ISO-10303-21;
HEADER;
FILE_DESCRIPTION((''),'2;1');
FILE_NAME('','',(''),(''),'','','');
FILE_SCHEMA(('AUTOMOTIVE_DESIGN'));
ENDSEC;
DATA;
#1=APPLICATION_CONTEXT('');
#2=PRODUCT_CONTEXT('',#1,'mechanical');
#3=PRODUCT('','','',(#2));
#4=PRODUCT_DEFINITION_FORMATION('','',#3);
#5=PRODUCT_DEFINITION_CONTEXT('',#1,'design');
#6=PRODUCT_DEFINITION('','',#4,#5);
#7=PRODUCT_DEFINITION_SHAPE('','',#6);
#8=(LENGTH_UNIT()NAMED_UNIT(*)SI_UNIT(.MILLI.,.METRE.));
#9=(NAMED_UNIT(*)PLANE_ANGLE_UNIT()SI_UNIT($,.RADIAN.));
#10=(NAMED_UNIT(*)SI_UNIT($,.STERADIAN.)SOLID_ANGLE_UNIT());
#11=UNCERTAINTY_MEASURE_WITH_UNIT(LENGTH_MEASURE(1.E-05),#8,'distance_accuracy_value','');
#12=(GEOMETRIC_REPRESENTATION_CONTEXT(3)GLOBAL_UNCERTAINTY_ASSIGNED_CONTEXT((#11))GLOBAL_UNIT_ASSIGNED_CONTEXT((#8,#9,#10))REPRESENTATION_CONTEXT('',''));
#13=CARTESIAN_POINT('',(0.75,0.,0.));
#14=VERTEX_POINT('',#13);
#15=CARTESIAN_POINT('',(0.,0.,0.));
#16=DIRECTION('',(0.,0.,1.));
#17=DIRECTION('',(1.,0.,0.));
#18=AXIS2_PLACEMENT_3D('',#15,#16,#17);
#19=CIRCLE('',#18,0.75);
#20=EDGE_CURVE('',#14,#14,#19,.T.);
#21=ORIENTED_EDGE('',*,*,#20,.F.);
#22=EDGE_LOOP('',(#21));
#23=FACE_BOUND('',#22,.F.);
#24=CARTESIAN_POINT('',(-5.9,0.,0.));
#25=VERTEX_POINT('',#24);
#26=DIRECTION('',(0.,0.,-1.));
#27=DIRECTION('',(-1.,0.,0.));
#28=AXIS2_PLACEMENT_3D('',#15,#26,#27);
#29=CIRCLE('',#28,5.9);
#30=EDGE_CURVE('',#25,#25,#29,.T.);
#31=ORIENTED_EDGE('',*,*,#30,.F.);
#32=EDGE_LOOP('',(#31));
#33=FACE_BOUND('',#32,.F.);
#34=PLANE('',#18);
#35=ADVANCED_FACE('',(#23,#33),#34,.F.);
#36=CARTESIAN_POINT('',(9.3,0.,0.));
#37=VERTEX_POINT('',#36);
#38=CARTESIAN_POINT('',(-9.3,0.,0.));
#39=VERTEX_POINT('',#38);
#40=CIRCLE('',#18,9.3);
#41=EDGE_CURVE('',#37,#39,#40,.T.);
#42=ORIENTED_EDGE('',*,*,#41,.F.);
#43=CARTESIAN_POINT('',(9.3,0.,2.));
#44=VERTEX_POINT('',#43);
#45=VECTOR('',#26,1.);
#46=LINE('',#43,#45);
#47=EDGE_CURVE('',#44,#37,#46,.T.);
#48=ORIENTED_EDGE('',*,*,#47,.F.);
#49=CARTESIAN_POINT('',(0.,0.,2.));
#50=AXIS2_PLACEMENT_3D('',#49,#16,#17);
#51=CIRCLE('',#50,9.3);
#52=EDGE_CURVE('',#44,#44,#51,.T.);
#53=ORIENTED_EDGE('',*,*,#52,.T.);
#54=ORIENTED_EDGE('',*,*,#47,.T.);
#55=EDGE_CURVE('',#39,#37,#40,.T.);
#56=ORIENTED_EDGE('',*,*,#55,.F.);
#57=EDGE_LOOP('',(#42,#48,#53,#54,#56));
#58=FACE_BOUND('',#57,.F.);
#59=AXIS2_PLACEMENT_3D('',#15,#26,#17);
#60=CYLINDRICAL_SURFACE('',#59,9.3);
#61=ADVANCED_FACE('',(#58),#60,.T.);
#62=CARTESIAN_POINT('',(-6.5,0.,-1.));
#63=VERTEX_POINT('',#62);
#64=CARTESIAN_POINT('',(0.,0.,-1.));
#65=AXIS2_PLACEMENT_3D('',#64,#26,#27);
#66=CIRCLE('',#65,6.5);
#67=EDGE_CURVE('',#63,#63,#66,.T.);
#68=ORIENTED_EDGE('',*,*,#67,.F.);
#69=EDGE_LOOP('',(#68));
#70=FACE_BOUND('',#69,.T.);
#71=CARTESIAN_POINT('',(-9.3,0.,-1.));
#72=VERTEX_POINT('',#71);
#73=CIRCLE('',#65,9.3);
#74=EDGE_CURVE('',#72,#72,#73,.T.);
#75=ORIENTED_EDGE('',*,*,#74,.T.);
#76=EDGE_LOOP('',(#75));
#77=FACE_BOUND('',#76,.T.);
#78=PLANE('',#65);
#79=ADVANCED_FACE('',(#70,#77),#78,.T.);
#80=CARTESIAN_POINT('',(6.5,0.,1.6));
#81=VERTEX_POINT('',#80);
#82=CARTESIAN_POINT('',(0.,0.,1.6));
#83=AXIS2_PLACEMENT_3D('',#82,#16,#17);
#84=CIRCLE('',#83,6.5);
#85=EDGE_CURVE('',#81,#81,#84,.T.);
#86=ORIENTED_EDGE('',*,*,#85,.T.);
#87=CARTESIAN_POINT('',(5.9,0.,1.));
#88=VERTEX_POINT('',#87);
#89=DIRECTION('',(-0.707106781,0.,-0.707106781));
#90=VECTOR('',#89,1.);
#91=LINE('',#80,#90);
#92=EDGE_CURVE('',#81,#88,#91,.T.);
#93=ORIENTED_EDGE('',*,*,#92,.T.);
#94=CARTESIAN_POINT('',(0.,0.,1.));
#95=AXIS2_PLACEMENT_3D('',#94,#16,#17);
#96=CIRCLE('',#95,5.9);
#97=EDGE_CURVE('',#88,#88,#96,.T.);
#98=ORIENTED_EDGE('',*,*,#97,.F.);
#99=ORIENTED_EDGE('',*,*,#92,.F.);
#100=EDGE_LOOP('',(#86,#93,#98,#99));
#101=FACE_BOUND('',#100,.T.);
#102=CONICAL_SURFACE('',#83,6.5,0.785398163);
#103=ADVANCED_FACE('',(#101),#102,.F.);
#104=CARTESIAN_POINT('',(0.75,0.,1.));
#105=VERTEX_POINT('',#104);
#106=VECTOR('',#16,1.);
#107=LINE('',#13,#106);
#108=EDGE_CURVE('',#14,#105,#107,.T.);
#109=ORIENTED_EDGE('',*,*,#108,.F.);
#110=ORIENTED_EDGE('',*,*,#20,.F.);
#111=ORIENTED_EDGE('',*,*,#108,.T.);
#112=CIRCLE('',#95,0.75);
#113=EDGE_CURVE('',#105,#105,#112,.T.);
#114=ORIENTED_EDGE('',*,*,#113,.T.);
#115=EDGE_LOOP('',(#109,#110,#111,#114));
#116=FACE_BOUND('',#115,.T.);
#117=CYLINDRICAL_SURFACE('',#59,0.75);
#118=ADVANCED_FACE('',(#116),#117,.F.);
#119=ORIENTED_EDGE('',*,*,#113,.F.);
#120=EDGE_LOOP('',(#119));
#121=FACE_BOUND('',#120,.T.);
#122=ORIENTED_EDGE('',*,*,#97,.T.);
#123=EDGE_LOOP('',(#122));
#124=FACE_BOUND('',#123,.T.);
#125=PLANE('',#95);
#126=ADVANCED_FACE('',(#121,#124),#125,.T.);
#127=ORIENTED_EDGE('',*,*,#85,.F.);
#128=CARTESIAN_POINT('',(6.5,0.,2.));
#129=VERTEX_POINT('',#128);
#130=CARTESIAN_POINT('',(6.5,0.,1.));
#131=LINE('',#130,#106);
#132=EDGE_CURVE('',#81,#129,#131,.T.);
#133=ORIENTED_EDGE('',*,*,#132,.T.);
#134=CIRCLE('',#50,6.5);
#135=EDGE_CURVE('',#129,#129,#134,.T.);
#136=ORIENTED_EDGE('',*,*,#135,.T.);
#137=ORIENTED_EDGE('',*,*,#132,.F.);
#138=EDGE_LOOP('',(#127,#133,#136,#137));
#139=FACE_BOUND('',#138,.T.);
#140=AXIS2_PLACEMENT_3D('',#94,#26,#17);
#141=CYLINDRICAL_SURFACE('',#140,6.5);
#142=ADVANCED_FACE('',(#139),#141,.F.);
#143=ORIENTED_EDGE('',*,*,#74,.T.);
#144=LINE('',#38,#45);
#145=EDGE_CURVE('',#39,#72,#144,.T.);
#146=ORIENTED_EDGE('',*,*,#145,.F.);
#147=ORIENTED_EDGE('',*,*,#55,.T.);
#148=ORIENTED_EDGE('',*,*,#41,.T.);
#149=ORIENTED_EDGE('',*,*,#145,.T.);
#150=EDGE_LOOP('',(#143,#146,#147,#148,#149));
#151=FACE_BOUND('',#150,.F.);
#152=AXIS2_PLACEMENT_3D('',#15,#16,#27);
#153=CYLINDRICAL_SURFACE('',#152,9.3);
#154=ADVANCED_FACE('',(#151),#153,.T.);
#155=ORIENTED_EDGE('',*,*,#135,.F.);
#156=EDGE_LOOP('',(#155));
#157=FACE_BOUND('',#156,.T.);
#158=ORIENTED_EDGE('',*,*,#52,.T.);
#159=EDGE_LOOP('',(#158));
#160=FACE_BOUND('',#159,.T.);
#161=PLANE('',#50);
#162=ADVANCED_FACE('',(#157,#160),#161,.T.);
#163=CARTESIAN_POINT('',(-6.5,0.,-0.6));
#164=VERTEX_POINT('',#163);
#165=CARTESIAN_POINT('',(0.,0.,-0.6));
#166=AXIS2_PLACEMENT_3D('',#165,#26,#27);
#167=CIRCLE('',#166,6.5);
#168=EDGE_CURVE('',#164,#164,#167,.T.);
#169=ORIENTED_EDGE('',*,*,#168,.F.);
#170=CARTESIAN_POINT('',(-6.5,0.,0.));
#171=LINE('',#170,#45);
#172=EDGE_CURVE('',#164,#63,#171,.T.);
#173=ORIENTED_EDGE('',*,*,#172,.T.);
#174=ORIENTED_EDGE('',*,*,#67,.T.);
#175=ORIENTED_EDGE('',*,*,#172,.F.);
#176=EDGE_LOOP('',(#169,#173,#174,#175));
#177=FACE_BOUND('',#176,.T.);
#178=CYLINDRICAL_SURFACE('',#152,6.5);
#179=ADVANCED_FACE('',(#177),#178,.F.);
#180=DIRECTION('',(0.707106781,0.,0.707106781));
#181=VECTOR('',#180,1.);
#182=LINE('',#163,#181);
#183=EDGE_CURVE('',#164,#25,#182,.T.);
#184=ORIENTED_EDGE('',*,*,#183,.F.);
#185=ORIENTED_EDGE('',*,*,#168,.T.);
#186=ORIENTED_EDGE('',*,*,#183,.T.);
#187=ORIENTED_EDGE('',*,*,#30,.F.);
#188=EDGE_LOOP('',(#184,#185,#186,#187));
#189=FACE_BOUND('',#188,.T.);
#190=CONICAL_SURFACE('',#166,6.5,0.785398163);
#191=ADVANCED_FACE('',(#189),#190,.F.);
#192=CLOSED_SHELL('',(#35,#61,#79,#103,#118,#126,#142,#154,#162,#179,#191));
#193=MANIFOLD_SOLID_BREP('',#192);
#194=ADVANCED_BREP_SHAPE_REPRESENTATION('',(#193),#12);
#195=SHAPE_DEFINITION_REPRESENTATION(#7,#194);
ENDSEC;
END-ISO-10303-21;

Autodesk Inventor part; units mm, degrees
ref_plane "YZ Plane" through (0, 0, 0) normal (1, 0, 0) x (0, 1, 0)
ref_plane "XZ Plane" through (0, 0, 0) normal (0, 1, 0) x (-1, 0, 0)
ref_plane "XY Plane" through (0, 0, 0) normal (0, 0, 1) x (1, 0, 0)
sketch "スケッチ1" plane through (0, 0, 0) normal (0, 0, 1) x (1, 0, 0)
  circle A0 centre (0, 0) radius 9.3
  circle A1 centre (0, 0) radius 0.75
  dimension "d0" = 18.6
  dimension "d1" = 1.5
extrude "押し出し1" add sketch "スケッチ1" along normal blind 1
sketch "スケッチ2" plane through (0, 0, 1) normal (0, 0, 1) x (1, 0, 0)
  circle A0 centre (0, 0) radius 0.75 projected
  circle A1 centre (0, 0) radius 9.3 projected
  circle A2 centre (0, 0) radius 6.5
  dimension "d4" = 13
extrude "押し出し2" add sketch "スケッチ2" along normal blind 1 contours A1
sketch "スケッチ3" plane through (0, 0, 0) normal (0, 0, -1) x (-1, 0, 0)
  circle A0 centre (0, 0) radius 6.5 projected
  circle A1 centre (0, 0) radius 0.75 projected
  circle A2 centre (0, 0) radius 9.3 projected
extrude "押し出し3" add sketch "スケッチ3" along normal blind 1 contours A2
chamfer "面取り1" distance 0.6 angle 45 2 edges at (6.5, 0, 0) (-6.5, 0, 1)
properties part number "RescueKitThrow_springholder"
